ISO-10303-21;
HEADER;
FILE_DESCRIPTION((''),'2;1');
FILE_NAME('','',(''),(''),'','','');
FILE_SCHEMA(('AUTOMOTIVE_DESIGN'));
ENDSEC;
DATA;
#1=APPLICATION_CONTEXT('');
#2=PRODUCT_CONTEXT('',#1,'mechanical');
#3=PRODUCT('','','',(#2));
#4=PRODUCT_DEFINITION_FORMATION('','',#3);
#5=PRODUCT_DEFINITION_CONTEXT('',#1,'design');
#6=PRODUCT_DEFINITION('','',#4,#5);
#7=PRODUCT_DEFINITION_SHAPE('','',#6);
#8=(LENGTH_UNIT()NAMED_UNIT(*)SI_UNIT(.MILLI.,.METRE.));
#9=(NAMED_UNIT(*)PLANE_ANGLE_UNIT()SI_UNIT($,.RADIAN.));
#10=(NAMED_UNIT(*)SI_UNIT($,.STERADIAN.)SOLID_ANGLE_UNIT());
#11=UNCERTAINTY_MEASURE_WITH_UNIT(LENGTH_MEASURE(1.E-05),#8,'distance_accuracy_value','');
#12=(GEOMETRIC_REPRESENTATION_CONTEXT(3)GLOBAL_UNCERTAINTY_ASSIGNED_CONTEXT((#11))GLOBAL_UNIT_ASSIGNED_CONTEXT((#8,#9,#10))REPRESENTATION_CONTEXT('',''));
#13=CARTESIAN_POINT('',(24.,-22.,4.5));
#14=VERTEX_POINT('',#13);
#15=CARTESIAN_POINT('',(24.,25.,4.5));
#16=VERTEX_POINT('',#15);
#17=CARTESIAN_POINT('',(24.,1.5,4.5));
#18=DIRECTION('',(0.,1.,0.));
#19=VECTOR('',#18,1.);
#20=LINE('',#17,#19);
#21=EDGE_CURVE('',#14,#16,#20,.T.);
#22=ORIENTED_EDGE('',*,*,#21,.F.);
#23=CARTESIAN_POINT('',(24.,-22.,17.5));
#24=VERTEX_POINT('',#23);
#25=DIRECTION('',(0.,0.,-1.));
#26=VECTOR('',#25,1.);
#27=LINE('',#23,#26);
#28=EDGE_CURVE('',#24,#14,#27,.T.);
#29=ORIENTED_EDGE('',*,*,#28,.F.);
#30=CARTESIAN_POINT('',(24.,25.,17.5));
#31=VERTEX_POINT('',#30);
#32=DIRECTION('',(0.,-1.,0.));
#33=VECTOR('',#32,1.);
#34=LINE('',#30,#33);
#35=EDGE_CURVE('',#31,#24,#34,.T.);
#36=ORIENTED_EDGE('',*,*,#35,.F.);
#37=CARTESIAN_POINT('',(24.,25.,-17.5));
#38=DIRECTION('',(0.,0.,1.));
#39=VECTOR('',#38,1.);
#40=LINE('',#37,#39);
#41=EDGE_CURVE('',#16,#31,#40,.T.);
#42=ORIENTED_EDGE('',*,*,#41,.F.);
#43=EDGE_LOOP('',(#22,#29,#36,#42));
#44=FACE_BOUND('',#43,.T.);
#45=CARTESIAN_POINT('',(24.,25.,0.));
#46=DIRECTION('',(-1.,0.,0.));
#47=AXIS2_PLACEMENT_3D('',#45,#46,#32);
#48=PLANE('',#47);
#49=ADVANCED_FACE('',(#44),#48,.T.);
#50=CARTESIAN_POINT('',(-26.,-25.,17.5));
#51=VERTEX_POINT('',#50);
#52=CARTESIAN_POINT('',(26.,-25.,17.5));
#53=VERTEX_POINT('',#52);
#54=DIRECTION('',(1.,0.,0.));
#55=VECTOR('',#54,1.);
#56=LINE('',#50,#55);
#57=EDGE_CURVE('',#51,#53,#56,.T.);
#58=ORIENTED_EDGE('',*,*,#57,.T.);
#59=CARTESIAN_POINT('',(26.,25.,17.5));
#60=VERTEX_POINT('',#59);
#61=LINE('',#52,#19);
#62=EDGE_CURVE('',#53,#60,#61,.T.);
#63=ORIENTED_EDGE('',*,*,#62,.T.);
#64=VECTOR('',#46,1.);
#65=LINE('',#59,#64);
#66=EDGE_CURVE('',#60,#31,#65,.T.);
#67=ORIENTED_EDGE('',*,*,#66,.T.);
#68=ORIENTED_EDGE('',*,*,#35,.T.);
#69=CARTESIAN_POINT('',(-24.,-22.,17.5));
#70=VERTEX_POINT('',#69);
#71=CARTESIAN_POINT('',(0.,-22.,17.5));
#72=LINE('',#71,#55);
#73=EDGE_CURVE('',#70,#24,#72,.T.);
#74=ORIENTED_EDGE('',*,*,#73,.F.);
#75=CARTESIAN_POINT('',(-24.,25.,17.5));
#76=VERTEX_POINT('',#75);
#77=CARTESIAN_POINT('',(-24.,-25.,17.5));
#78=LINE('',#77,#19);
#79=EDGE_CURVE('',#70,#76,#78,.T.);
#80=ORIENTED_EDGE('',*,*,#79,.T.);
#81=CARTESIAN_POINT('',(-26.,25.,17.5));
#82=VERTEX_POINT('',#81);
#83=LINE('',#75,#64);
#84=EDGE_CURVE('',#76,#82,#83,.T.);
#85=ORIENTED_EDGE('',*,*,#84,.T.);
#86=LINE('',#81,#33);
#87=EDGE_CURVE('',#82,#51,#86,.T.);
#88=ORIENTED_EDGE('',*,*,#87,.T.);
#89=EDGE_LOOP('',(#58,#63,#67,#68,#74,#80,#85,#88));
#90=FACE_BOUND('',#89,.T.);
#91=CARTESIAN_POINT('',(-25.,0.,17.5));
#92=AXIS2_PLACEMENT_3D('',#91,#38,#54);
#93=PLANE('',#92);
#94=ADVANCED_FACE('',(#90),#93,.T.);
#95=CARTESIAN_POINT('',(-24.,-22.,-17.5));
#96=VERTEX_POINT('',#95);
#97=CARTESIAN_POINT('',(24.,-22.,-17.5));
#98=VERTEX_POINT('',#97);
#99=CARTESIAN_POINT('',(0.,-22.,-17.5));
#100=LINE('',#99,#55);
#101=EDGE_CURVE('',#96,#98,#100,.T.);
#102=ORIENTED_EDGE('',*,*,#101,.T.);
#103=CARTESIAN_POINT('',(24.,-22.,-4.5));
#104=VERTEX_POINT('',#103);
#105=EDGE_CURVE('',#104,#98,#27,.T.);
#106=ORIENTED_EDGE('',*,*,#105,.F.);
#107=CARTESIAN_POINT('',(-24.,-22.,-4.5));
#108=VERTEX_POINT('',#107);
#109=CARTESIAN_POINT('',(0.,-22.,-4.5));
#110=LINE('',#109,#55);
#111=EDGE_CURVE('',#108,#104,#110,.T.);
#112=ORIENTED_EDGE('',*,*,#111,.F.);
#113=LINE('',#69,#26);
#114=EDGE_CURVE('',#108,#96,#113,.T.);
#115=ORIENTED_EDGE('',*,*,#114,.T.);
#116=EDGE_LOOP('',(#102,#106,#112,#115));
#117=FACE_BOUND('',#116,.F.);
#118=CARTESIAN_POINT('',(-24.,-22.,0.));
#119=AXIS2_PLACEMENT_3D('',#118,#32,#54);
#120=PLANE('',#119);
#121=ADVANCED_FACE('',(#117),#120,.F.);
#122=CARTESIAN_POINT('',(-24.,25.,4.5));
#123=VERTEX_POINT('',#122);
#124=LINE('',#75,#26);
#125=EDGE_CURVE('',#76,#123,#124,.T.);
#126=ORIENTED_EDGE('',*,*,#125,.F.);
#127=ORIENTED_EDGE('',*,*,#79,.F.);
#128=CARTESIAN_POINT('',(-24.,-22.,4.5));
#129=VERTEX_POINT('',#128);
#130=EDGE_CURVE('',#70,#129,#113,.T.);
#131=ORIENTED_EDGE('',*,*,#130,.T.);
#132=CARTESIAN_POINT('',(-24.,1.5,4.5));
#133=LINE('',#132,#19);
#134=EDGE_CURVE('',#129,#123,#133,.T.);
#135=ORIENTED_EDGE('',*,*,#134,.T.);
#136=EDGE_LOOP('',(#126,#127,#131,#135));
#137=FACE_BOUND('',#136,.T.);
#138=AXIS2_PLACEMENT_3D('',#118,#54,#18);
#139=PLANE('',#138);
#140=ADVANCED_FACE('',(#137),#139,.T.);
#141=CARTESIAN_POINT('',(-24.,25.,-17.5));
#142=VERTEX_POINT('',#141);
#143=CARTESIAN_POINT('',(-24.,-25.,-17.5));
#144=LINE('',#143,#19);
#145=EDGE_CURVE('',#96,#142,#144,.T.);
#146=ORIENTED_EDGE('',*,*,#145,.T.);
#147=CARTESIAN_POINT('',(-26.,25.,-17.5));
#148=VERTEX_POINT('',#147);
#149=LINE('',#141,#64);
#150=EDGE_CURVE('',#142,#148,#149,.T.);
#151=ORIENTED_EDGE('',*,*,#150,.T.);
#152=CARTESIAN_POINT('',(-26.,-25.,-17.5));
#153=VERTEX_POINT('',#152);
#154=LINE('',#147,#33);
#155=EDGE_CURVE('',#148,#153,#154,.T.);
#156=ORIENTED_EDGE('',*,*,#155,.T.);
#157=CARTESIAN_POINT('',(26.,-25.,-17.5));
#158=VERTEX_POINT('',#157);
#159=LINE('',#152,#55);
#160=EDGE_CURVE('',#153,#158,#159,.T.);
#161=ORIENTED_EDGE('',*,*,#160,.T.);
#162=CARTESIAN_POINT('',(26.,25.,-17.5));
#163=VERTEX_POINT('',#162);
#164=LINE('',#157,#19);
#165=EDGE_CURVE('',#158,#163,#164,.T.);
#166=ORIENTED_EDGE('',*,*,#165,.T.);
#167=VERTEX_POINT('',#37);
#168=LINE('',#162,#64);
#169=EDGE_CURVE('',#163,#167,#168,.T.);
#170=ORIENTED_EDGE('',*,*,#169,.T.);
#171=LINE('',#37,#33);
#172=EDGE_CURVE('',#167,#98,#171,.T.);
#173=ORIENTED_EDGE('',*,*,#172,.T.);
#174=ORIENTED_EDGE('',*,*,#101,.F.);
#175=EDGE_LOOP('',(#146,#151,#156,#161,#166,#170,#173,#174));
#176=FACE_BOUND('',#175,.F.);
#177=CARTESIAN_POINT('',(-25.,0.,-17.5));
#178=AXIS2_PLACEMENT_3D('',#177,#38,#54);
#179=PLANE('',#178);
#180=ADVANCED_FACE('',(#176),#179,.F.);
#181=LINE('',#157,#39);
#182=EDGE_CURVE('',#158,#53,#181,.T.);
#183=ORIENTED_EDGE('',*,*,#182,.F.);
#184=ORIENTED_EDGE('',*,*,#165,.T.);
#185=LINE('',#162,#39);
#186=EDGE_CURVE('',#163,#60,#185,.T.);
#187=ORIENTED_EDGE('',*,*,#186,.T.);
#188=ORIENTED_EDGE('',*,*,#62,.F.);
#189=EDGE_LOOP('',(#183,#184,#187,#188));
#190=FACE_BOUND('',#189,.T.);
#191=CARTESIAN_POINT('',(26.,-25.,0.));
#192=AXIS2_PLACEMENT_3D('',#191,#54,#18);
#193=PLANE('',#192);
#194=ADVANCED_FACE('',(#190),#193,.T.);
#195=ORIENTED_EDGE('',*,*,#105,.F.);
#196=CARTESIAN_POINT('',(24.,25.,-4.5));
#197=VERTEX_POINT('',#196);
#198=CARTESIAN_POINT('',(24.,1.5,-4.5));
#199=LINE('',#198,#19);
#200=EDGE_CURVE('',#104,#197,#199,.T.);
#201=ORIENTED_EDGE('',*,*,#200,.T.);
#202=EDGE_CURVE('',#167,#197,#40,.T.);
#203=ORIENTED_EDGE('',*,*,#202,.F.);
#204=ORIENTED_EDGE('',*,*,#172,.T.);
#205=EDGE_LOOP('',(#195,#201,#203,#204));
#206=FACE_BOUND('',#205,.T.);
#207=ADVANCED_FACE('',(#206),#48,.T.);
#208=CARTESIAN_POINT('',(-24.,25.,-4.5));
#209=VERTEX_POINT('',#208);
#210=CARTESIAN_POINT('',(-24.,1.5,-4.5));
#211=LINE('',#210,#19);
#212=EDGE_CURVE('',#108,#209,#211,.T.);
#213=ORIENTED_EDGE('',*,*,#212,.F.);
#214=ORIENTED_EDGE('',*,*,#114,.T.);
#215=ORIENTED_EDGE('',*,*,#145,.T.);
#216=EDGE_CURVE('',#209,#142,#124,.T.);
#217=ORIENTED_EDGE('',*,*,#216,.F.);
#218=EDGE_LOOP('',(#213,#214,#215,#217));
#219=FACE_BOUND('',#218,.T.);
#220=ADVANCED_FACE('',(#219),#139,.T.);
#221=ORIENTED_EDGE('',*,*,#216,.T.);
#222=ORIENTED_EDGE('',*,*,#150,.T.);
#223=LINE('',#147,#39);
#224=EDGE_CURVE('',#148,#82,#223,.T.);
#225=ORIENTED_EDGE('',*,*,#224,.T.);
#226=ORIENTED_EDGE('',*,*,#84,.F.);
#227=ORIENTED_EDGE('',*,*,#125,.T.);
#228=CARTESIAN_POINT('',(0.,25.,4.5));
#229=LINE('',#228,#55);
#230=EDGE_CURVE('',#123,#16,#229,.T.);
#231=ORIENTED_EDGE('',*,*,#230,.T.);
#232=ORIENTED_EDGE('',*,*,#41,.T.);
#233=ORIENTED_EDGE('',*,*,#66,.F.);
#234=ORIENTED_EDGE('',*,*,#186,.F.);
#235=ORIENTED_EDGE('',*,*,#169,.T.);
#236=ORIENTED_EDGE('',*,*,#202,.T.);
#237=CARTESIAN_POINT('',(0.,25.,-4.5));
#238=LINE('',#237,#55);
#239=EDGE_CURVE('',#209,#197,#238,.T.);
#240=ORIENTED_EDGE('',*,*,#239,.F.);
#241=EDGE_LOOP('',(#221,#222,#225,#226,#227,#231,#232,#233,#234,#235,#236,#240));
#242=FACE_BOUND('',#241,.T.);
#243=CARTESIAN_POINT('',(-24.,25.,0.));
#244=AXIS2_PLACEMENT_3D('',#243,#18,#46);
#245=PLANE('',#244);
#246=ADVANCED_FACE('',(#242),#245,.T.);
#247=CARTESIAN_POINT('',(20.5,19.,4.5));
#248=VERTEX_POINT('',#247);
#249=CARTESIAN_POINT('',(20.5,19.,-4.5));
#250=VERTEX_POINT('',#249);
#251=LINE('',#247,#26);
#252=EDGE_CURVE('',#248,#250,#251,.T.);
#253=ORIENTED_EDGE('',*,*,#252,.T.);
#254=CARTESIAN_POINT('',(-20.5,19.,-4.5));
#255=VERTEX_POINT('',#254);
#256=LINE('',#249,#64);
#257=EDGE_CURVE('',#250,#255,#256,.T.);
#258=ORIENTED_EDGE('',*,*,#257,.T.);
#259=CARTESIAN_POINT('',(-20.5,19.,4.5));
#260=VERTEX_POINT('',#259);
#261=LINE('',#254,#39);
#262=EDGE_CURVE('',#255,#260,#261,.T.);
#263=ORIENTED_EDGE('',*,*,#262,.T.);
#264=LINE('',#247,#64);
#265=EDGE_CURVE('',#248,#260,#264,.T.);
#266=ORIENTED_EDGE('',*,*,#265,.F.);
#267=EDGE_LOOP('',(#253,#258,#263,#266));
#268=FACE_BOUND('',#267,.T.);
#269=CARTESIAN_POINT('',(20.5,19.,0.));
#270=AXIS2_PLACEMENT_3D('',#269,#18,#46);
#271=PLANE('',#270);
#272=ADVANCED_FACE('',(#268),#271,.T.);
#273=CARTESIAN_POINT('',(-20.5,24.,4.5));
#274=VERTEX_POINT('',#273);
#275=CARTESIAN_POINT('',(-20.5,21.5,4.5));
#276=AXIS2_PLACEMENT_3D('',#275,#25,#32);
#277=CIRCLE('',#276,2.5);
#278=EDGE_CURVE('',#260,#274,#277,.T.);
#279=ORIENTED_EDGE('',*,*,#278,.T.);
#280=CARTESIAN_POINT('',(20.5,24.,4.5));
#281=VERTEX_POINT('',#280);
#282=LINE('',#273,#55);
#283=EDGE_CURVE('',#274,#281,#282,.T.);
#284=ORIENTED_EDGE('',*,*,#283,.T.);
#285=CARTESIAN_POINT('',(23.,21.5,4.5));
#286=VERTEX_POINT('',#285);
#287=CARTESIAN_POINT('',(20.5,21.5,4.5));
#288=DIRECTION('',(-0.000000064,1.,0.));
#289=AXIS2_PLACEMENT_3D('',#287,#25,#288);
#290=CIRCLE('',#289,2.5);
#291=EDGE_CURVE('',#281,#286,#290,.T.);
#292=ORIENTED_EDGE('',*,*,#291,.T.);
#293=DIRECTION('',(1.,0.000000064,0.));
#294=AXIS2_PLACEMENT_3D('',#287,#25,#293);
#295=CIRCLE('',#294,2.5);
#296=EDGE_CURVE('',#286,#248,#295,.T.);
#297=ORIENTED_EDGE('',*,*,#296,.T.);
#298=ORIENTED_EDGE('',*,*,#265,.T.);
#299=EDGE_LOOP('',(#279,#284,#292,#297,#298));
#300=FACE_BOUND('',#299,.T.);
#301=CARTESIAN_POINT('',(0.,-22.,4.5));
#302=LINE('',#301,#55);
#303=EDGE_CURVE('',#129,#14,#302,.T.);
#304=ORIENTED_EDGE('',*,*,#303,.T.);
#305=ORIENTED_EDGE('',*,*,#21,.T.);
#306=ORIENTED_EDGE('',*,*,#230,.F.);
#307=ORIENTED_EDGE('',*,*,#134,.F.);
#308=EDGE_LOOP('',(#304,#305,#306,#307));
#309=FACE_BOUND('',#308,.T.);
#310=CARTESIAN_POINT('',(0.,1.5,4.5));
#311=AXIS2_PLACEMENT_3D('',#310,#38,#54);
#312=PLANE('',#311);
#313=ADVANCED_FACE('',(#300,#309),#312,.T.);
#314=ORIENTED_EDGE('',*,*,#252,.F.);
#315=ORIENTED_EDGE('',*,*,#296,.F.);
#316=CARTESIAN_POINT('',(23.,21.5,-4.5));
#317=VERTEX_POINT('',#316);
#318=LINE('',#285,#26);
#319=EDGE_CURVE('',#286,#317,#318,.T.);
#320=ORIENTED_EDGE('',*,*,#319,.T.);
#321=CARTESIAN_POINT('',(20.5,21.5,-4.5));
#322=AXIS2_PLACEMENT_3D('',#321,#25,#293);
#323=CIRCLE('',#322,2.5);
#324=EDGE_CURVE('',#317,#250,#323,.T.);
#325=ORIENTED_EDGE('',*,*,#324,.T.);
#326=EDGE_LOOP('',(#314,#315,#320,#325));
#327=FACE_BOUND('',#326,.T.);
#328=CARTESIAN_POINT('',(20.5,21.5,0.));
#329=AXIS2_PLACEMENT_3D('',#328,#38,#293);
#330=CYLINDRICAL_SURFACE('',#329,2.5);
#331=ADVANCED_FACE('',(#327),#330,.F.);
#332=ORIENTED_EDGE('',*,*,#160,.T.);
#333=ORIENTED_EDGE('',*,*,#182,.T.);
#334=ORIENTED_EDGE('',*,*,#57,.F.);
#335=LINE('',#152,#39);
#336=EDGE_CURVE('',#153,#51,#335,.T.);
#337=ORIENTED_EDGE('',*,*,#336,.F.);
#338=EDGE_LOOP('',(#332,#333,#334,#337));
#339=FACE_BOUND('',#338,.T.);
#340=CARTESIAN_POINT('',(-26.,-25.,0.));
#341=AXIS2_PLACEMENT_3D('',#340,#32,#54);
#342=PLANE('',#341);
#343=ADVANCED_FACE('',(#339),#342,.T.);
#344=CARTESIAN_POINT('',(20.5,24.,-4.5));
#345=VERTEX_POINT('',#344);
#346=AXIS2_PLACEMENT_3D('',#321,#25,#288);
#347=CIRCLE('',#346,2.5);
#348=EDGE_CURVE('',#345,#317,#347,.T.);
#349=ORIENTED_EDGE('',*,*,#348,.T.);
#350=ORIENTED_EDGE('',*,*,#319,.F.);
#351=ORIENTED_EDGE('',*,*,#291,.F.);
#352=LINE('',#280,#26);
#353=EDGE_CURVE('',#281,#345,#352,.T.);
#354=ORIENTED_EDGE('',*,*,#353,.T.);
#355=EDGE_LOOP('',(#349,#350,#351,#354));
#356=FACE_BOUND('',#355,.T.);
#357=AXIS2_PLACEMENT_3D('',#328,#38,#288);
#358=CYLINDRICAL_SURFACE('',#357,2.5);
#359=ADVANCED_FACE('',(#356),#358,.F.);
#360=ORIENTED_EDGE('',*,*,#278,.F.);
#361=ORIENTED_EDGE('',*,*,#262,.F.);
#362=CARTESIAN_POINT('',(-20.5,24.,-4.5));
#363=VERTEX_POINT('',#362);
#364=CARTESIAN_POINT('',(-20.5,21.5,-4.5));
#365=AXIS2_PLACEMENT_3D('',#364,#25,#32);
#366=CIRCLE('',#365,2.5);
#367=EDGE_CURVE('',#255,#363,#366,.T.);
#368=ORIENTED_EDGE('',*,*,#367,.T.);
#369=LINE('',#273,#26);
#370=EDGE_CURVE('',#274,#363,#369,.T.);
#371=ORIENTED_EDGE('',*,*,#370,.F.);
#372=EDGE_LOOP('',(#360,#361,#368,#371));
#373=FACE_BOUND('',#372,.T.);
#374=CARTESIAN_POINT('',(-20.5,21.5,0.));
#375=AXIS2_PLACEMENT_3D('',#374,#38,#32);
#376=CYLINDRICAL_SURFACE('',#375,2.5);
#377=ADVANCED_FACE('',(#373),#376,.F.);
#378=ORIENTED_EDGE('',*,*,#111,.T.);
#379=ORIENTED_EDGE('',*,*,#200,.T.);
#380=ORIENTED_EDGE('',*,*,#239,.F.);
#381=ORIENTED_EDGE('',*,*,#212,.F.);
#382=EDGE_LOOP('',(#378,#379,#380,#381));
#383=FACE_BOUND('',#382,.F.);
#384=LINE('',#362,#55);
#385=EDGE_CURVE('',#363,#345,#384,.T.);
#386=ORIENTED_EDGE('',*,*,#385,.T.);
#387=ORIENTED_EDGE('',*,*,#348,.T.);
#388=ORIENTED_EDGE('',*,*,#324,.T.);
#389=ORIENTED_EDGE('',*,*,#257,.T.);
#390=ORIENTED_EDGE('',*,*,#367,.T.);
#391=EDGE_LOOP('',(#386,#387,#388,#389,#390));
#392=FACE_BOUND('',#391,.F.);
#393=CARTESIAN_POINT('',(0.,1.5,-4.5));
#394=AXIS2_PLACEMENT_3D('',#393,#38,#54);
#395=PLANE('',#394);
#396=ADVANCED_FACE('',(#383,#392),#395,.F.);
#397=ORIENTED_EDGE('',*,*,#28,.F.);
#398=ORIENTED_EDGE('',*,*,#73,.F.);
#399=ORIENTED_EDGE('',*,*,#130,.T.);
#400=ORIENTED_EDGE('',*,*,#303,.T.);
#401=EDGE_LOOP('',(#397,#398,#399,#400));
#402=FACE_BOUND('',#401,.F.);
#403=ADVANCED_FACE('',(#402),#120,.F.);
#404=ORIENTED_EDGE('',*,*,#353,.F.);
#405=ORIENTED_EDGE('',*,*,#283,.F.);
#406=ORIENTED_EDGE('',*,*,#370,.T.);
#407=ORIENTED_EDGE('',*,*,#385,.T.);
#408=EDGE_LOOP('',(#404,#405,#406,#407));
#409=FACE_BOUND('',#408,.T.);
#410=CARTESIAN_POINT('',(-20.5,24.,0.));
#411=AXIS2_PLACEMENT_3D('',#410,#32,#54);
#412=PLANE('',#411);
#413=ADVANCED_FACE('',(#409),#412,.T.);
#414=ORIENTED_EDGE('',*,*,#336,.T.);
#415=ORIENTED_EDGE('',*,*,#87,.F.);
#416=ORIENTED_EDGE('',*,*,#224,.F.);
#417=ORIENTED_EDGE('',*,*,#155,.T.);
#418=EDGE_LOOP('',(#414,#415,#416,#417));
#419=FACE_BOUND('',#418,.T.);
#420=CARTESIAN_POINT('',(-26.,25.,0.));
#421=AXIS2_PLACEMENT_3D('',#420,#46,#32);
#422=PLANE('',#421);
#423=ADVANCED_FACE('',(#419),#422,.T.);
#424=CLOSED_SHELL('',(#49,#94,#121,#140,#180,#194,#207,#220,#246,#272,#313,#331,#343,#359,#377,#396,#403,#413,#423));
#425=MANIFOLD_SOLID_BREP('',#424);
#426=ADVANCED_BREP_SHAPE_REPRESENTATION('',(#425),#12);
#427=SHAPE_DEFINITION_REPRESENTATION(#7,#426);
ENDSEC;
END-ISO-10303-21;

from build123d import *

# Parameters (mm, degrees)
F0_W     = 48
F0_H     = 47
F1_DEPTH = 4.5
F0_H_2   = 3
F2_DEPTH = 17.5


with BuildPart() as f1:
    # F0 (on Top) → F1 (new body, symmetric)
    with BuildSketch(Plane.XY):
        with Locations((0, 1.5)):
            Rectangle(F0_W, F0_H)
        with BuildLine():
            ThreePointArc((-20.5, 19), (-23, 21.5), (-20.5, 24))
            Line((-20.5, 24), (20.5, 24))
            ThreePointArc((20.5, 24), (22.267767, 23.267767), (23, 21.5))
            ThreePointArc((23, 21.5), (22.267767, 19.732233), (20.5, 19))
            Line((20.5, 19), (-20.5, 19))
        make_face(mode=Mode.SUBTRACT)
    extrude(amount=F1_DEPTH, both=True)

    # F0 (on Top) → F2 (join, symmetric)
    with BuildSketch(Plane.XY):
        Polygon((-24, 25), (-26, 25), (-26, -25), (-24, -25), (-24, -22), align=None)
        with Locations((0, -23.5)):
            Rectangle(F0_W, F0_H_2)
        Polygon((26, 25), (24, 25), (24, -22), (24, -25), (26, -25), align=None)
    extrude(amount=F2_DEPTH, both=True)


solid = f1.part
